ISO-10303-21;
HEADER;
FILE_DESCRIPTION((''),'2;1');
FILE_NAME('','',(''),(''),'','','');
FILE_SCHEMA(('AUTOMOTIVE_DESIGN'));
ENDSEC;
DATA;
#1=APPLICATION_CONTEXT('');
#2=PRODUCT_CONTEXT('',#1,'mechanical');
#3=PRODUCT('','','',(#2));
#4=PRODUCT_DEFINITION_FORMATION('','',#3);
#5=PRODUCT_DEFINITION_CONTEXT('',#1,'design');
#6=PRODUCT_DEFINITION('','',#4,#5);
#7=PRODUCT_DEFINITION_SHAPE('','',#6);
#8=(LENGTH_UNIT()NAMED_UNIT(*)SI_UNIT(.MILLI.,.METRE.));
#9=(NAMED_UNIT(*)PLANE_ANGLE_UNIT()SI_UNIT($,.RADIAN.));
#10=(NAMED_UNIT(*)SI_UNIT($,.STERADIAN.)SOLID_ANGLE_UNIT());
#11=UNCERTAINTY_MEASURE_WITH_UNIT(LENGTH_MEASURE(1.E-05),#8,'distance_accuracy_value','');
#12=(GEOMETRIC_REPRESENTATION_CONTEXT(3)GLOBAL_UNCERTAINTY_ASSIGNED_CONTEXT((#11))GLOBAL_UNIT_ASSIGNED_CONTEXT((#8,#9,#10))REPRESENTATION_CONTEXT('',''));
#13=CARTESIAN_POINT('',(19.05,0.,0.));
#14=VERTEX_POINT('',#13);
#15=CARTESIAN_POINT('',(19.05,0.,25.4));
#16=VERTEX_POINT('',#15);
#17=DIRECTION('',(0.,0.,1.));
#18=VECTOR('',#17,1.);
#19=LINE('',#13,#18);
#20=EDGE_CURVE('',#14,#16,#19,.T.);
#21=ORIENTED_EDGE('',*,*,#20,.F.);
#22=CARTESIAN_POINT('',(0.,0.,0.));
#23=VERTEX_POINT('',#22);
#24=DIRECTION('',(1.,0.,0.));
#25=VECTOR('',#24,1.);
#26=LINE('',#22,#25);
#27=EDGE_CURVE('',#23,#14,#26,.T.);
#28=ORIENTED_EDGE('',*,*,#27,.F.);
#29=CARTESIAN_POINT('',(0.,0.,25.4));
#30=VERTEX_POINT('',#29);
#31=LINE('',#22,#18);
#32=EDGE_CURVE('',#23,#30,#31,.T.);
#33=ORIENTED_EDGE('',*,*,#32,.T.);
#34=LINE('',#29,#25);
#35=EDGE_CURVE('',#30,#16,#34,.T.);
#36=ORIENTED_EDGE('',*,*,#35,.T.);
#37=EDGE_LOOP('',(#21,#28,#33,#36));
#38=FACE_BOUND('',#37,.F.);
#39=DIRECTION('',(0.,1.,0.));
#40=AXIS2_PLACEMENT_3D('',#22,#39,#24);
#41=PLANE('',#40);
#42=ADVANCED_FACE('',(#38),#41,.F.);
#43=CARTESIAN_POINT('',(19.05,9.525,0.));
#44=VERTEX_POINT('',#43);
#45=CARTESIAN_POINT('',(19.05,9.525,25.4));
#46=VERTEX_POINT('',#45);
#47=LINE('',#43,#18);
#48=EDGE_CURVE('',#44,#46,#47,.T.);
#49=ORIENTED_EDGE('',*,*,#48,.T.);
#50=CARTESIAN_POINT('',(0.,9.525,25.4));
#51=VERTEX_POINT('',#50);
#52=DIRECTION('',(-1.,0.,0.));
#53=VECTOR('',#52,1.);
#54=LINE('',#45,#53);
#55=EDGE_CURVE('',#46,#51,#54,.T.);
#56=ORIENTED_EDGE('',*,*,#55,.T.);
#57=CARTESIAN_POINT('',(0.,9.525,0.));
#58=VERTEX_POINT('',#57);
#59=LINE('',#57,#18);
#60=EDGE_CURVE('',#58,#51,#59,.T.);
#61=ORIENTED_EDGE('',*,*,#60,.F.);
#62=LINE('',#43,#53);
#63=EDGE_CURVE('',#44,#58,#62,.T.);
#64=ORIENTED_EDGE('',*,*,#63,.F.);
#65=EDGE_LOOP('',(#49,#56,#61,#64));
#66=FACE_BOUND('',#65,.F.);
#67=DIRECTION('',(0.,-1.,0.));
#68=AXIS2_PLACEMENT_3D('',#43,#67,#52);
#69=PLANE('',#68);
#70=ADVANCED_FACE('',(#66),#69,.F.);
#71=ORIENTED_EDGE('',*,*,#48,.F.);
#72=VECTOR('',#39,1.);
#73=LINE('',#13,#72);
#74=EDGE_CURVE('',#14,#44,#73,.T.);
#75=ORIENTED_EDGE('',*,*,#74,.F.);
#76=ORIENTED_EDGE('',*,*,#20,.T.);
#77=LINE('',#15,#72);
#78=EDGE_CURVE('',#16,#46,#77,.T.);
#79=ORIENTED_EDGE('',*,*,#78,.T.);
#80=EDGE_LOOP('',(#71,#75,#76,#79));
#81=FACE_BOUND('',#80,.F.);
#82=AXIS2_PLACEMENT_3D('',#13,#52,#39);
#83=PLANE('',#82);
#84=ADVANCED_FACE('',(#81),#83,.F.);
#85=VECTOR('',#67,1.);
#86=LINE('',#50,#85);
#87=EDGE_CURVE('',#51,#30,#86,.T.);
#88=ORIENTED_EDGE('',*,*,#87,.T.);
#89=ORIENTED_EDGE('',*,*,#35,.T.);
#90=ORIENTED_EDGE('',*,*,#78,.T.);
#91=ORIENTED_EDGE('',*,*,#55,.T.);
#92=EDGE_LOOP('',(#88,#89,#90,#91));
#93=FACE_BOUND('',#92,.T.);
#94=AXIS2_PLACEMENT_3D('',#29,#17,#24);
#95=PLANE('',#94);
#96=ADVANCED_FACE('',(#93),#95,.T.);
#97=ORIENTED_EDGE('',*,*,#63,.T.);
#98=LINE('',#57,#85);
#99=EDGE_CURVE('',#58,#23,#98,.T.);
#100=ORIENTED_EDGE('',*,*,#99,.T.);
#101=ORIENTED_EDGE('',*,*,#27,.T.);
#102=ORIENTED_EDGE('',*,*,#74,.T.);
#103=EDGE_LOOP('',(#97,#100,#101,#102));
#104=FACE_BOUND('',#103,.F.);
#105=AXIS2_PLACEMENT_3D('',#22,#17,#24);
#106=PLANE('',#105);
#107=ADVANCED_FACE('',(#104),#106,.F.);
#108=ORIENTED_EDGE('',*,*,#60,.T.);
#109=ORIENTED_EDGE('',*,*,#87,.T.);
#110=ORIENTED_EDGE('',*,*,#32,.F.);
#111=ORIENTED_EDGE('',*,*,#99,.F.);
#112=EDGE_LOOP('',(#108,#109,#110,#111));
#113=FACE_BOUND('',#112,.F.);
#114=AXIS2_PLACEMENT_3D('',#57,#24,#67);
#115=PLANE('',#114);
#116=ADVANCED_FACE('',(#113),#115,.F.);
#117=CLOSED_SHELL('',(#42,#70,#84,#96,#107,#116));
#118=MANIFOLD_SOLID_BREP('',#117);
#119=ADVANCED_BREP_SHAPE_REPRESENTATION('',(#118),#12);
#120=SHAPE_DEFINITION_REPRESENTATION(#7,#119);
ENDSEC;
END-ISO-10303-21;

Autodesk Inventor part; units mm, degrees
ref_plane "YZ Plane" through (0, 0, 0) normal (1, 0, 0) x (0, 1, 0)
ref_plane "XZ Plane" through (0, 0, 0) normal (0, 1, 0) x (-1, 0, 0)
ref_plane "XY Plane" through (0, 0, 0) normal (0, 0, 1) x (1, 0, 0)
sketch "Sketch1" plane through (0, 0, 0) normal (0, 0, 1) x (1, 0, 0)
  line L0 (0, 0) -> (19.05, 0)
  line L1 (19.05, 0) -> (19.05, 9.525)
  line L2 (19.05, 9.525) -> (0, 9.525)
  line L3 (0, 9.525) -> (0, 0)
  dimension "d0" = 19.05
  dimension "d1" = 9.525
extrude "Extrusion1" add sketch "Sketch1" along normal blind 25.4
properties part number "Slide" material "Lead"
